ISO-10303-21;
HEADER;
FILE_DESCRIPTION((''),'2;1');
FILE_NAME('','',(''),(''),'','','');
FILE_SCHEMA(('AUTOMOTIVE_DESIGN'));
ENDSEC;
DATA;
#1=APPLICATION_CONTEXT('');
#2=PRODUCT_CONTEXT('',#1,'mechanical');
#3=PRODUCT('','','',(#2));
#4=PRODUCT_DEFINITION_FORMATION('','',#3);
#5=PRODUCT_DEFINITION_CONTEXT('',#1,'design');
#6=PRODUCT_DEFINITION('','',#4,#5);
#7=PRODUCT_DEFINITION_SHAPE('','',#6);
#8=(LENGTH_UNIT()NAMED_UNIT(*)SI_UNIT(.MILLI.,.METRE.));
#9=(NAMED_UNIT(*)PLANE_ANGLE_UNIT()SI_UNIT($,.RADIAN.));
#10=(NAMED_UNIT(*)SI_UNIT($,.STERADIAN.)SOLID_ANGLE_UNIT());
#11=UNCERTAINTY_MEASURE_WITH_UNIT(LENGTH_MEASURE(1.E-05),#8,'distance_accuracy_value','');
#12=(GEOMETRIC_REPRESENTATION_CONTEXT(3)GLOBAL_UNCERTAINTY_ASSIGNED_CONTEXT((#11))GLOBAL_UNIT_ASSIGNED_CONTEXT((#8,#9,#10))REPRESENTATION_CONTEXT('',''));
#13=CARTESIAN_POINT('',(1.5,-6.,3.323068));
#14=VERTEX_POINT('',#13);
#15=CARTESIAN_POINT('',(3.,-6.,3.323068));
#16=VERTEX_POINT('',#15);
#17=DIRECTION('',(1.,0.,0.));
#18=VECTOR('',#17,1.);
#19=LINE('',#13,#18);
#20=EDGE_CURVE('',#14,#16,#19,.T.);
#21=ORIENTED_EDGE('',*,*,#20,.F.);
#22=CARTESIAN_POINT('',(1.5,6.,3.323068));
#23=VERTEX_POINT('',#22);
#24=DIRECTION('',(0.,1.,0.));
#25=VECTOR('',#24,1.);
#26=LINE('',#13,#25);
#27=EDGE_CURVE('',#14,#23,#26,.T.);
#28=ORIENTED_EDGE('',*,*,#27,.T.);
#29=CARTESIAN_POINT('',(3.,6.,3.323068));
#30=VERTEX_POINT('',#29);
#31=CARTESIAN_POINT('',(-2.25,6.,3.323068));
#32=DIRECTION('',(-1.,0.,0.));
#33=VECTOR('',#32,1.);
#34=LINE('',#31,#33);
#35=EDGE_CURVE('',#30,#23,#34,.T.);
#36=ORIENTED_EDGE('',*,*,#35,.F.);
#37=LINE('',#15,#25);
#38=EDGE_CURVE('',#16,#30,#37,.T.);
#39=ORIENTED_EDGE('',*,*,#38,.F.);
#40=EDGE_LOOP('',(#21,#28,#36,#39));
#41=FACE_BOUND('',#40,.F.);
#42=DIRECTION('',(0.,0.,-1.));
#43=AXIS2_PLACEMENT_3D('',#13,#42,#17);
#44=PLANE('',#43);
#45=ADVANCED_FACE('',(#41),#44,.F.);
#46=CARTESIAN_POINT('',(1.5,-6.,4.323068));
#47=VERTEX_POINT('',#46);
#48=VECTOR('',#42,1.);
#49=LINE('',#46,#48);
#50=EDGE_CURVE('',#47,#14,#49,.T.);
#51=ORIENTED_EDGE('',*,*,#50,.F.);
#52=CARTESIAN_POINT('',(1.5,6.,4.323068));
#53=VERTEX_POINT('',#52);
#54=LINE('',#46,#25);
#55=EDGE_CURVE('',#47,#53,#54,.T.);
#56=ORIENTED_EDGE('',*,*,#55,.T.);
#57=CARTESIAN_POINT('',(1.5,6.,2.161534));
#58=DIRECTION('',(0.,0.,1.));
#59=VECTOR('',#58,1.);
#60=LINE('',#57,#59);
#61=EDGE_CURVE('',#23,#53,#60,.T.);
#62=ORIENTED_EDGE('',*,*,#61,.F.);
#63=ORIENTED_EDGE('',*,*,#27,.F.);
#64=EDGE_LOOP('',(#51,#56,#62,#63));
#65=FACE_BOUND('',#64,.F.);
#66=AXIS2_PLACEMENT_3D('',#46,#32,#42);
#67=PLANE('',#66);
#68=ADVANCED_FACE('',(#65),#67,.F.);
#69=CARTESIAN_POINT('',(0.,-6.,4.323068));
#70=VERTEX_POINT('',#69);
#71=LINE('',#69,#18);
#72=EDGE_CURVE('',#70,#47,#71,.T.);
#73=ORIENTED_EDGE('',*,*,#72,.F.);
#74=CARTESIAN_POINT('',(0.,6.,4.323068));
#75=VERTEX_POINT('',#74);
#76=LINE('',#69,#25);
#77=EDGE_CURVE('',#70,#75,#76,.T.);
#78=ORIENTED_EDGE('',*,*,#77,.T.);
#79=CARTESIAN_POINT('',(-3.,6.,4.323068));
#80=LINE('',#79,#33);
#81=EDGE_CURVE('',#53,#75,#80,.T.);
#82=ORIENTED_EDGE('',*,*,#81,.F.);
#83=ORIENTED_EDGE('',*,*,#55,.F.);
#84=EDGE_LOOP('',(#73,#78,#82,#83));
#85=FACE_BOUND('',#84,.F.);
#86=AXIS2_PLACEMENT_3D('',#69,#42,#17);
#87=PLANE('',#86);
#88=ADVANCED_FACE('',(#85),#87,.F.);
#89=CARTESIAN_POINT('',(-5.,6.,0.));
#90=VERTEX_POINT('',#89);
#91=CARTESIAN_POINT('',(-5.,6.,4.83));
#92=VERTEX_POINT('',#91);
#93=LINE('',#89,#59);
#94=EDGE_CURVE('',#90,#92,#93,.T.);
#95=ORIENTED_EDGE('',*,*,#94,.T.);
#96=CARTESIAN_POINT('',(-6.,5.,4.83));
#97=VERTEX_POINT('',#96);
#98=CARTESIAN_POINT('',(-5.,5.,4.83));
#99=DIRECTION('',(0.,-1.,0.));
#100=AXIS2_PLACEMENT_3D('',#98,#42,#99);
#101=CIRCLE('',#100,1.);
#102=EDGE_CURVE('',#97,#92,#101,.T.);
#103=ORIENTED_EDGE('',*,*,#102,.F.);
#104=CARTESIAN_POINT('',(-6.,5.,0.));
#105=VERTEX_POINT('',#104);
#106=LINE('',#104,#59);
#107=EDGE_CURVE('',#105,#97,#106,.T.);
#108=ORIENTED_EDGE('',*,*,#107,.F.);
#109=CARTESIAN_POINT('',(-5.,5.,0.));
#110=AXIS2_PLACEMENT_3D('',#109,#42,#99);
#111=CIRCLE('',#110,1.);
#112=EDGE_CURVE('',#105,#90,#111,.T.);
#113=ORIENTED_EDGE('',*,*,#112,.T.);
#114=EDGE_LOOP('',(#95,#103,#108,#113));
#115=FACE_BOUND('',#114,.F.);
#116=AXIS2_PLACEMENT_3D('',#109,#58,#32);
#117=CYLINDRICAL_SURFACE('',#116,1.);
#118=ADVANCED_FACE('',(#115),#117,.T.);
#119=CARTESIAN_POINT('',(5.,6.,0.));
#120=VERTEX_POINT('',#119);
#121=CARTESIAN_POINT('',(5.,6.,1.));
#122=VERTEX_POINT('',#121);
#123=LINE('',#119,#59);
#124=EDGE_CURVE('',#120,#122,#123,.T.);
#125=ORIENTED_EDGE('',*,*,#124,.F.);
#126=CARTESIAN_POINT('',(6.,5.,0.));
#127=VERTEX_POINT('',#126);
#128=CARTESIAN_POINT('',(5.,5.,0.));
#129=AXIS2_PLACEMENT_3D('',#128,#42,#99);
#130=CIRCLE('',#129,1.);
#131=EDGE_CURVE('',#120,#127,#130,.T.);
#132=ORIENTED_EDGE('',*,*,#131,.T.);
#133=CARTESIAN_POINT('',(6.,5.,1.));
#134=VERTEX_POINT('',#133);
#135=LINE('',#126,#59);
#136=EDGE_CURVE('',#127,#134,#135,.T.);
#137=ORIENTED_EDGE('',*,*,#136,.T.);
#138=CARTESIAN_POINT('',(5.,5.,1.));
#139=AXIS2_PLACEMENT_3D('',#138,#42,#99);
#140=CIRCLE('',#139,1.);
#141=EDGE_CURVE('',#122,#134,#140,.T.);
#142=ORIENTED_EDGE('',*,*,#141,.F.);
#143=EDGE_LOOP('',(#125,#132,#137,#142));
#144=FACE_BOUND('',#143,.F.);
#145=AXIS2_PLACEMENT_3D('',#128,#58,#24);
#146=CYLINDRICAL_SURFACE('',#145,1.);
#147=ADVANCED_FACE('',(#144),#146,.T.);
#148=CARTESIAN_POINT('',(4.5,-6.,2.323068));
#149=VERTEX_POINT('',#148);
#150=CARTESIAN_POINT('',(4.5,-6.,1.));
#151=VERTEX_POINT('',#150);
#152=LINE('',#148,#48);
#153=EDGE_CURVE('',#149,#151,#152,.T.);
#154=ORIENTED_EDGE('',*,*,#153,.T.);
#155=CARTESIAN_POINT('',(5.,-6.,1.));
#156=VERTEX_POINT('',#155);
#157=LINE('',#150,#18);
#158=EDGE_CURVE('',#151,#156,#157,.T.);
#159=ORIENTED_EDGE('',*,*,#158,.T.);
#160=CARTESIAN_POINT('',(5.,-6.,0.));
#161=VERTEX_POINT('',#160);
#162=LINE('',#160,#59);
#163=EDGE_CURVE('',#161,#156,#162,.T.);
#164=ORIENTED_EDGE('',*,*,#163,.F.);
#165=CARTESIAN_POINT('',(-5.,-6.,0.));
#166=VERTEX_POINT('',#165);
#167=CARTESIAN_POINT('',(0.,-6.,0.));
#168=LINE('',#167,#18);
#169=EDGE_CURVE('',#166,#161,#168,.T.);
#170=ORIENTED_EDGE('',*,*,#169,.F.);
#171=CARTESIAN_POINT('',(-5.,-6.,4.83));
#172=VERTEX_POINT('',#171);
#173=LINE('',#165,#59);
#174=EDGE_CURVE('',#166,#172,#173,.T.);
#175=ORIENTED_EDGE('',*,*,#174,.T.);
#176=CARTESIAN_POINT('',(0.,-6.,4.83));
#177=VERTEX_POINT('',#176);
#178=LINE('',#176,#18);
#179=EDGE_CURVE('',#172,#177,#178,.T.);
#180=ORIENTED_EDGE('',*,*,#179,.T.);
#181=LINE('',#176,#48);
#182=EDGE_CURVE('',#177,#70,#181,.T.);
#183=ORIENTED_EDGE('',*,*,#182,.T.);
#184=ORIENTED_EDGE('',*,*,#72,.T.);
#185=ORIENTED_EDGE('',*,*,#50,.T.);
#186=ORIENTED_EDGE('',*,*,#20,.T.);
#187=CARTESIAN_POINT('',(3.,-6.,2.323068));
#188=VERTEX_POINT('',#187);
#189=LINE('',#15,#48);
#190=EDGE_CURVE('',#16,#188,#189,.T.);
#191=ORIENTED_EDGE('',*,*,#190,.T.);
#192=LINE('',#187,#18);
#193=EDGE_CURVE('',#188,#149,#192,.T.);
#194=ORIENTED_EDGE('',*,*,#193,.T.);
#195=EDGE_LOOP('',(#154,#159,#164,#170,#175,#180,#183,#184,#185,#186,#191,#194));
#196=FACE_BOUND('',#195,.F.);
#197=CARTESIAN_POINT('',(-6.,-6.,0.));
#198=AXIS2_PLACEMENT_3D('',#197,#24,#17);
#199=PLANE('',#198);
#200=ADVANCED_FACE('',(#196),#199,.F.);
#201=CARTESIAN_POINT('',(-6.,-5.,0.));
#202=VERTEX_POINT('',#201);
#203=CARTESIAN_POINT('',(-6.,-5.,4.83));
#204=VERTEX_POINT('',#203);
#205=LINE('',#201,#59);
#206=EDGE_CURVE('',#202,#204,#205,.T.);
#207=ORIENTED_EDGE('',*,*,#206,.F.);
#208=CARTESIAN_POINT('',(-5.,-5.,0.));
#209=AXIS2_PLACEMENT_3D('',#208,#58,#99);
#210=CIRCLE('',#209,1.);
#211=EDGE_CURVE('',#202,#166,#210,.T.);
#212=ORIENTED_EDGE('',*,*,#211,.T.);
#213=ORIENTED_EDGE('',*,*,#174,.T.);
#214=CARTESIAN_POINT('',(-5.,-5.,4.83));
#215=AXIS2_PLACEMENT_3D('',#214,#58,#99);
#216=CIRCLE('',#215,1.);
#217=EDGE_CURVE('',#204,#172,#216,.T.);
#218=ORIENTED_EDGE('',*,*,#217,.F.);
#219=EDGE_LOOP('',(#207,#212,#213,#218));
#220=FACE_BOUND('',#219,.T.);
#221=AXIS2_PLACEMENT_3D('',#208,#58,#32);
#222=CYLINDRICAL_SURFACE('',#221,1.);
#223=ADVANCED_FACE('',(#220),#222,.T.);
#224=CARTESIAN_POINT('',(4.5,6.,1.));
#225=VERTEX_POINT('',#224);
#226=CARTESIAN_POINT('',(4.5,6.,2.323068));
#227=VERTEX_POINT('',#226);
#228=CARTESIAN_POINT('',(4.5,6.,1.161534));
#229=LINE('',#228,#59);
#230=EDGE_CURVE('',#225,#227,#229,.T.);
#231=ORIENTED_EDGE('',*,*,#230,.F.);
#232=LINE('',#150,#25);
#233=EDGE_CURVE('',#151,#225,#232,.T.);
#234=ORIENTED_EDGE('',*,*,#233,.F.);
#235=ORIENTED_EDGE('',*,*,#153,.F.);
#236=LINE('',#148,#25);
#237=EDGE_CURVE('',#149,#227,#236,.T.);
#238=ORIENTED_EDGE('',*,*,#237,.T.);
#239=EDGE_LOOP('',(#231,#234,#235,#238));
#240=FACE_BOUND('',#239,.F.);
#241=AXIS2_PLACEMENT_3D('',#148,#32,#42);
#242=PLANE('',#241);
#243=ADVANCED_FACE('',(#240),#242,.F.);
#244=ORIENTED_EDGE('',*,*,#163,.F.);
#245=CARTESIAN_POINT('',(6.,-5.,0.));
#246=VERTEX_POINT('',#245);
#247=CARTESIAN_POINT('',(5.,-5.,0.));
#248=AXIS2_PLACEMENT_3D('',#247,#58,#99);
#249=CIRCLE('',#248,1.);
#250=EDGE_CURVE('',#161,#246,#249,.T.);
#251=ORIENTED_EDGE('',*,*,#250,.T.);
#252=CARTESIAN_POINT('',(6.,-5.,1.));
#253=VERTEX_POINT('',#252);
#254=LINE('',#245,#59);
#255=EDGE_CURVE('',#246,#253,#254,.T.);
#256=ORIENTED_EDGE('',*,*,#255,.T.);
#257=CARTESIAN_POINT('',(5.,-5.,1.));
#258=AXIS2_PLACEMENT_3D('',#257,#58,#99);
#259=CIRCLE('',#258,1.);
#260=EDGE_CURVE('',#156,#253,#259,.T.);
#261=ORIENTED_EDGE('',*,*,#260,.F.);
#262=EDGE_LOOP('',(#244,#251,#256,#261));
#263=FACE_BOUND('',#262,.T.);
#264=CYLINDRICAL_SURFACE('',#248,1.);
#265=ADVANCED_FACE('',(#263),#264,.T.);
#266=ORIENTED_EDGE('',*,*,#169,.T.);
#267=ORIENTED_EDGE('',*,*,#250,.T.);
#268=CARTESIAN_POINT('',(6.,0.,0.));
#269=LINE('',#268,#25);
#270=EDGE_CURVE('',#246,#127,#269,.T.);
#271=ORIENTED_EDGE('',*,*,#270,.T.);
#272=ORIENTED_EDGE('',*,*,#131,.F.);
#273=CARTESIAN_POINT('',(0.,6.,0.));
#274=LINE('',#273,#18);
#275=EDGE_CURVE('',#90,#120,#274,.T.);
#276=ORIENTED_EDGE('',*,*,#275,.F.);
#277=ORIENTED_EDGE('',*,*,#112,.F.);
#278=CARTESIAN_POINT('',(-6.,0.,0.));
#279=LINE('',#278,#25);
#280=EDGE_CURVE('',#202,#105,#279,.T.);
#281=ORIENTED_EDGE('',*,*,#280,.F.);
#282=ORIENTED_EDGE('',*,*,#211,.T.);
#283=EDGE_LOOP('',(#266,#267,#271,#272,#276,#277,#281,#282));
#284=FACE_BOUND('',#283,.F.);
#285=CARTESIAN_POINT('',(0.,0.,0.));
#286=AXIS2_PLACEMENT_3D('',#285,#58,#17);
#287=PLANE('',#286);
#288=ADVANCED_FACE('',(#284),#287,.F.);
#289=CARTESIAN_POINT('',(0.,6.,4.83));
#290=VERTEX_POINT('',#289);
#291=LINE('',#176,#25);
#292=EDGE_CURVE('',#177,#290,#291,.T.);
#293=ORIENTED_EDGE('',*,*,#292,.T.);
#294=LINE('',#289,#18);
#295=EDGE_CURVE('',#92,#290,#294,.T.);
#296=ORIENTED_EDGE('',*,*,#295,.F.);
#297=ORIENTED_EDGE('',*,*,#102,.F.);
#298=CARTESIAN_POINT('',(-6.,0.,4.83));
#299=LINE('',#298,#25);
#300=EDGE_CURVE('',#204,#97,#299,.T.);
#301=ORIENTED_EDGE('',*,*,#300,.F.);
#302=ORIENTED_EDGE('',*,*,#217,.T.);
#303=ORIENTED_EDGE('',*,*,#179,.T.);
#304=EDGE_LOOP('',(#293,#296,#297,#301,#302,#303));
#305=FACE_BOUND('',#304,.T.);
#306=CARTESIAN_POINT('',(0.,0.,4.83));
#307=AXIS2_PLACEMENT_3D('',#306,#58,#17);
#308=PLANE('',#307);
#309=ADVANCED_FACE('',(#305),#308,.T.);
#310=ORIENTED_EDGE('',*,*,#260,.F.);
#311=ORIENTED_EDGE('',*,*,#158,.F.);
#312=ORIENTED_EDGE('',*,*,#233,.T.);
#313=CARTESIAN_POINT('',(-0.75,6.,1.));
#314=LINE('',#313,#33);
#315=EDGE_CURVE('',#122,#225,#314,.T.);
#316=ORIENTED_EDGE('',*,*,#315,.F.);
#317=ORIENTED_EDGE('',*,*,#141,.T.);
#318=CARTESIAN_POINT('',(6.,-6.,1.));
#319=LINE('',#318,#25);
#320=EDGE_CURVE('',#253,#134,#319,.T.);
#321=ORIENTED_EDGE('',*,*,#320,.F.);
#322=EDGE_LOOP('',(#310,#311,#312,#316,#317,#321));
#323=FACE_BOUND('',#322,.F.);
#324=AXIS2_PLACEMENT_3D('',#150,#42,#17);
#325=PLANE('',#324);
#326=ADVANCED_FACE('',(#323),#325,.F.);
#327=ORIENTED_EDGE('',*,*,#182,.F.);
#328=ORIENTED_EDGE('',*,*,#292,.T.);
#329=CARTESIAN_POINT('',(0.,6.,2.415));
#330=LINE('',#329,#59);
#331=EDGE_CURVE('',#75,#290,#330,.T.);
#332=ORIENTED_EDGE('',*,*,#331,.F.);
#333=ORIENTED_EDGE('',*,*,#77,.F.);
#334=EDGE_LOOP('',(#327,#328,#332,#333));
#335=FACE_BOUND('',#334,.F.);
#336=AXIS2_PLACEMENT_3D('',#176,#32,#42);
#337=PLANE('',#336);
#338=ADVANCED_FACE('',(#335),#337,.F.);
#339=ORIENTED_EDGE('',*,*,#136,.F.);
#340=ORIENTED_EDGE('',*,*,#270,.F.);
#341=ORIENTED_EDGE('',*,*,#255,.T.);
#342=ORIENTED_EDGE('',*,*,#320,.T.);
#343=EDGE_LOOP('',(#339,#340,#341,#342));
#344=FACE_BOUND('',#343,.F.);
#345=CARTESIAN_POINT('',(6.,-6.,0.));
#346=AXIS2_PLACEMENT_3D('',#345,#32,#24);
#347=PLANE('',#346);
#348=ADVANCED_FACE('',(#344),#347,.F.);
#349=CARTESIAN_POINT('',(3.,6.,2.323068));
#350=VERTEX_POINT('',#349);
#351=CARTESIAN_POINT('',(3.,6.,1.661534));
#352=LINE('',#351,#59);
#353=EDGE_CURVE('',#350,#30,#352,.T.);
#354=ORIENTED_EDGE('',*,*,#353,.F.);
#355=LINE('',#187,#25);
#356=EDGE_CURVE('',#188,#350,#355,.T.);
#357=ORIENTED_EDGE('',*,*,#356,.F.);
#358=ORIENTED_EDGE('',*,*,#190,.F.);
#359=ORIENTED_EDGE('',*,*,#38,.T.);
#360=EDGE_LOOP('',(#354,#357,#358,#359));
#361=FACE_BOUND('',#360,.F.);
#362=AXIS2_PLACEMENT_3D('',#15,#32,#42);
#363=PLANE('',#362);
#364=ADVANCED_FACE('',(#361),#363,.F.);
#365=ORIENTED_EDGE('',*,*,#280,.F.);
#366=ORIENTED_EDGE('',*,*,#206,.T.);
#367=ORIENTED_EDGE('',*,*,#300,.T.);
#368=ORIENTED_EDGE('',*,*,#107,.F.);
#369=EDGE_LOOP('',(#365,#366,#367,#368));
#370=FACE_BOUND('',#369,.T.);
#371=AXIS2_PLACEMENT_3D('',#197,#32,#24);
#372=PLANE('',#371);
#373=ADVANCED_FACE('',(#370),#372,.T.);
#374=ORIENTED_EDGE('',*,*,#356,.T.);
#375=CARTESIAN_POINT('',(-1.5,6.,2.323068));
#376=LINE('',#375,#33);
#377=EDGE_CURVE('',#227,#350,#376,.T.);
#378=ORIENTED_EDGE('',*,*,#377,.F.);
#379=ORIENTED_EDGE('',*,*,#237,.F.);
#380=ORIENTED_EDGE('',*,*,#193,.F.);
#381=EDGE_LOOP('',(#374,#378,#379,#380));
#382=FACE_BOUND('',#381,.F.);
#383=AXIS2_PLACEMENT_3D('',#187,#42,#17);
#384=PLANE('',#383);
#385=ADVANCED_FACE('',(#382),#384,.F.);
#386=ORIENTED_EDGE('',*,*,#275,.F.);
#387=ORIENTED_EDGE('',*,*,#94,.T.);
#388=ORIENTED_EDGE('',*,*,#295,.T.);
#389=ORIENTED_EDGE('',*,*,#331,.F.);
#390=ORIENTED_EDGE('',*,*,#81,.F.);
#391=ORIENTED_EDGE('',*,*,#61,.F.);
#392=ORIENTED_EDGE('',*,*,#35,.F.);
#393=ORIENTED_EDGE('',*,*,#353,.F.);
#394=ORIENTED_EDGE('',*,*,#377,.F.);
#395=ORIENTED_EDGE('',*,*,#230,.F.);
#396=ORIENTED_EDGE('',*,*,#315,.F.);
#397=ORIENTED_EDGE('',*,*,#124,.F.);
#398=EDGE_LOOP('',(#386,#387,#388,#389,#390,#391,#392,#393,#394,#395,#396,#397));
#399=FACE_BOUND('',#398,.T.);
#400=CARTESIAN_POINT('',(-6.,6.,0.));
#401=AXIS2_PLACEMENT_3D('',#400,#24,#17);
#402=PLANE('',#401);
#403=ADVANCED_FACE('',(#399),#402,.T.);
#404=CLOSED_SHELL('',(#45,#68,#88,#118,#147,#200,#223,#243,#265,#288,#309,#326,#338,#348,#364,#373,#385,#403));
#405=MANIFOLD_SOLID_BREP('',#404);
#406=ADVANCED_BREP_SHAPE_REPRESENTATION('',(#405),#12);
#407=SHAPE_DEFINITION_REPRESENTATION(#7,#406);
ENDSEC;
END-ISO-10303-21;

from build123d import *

# Parameters (mm, degrees)
F0_W     = 12
F0_H     = 12
F1_DEPTH = 4.83
F3_DEPTH = 25
F4_R     = 1


with BuildPart() as f1:
    # F0 (on Top) → F1 (new body)
    with BuildSketch(Plane.XY):
        Rectangle(F0_W, F0_H)
    extrude(amount=F1_DEPTH)

    # F2 (on face) → F3 (cut)
    with BuildSketch(Plane.XZ.offset(6)):
        Polygon((4.5, 2.323068), (4.5, 1), (6, 1), (6, 4.83), (0, 4.83), (0, 4.323068), (1.5, 4.323068), (1.5, 3.323068), (3, 3.323068), (3, 2.323068), align=None)
    extrude(amount=-F3_DEPTH, mode=Mode.SUBTRACT)

    # F4
    f4_edges = [f1.edges().sort_by_distance(p)[0] for p in [
        (-6, -6, 2.415),
        (-6, 6, 2.415),
        (6, -6, 0.5),
        (6, 6, 0.5),
    ]]
    fillet(f4_edges, radius=F4_R)


solid = f1.part
